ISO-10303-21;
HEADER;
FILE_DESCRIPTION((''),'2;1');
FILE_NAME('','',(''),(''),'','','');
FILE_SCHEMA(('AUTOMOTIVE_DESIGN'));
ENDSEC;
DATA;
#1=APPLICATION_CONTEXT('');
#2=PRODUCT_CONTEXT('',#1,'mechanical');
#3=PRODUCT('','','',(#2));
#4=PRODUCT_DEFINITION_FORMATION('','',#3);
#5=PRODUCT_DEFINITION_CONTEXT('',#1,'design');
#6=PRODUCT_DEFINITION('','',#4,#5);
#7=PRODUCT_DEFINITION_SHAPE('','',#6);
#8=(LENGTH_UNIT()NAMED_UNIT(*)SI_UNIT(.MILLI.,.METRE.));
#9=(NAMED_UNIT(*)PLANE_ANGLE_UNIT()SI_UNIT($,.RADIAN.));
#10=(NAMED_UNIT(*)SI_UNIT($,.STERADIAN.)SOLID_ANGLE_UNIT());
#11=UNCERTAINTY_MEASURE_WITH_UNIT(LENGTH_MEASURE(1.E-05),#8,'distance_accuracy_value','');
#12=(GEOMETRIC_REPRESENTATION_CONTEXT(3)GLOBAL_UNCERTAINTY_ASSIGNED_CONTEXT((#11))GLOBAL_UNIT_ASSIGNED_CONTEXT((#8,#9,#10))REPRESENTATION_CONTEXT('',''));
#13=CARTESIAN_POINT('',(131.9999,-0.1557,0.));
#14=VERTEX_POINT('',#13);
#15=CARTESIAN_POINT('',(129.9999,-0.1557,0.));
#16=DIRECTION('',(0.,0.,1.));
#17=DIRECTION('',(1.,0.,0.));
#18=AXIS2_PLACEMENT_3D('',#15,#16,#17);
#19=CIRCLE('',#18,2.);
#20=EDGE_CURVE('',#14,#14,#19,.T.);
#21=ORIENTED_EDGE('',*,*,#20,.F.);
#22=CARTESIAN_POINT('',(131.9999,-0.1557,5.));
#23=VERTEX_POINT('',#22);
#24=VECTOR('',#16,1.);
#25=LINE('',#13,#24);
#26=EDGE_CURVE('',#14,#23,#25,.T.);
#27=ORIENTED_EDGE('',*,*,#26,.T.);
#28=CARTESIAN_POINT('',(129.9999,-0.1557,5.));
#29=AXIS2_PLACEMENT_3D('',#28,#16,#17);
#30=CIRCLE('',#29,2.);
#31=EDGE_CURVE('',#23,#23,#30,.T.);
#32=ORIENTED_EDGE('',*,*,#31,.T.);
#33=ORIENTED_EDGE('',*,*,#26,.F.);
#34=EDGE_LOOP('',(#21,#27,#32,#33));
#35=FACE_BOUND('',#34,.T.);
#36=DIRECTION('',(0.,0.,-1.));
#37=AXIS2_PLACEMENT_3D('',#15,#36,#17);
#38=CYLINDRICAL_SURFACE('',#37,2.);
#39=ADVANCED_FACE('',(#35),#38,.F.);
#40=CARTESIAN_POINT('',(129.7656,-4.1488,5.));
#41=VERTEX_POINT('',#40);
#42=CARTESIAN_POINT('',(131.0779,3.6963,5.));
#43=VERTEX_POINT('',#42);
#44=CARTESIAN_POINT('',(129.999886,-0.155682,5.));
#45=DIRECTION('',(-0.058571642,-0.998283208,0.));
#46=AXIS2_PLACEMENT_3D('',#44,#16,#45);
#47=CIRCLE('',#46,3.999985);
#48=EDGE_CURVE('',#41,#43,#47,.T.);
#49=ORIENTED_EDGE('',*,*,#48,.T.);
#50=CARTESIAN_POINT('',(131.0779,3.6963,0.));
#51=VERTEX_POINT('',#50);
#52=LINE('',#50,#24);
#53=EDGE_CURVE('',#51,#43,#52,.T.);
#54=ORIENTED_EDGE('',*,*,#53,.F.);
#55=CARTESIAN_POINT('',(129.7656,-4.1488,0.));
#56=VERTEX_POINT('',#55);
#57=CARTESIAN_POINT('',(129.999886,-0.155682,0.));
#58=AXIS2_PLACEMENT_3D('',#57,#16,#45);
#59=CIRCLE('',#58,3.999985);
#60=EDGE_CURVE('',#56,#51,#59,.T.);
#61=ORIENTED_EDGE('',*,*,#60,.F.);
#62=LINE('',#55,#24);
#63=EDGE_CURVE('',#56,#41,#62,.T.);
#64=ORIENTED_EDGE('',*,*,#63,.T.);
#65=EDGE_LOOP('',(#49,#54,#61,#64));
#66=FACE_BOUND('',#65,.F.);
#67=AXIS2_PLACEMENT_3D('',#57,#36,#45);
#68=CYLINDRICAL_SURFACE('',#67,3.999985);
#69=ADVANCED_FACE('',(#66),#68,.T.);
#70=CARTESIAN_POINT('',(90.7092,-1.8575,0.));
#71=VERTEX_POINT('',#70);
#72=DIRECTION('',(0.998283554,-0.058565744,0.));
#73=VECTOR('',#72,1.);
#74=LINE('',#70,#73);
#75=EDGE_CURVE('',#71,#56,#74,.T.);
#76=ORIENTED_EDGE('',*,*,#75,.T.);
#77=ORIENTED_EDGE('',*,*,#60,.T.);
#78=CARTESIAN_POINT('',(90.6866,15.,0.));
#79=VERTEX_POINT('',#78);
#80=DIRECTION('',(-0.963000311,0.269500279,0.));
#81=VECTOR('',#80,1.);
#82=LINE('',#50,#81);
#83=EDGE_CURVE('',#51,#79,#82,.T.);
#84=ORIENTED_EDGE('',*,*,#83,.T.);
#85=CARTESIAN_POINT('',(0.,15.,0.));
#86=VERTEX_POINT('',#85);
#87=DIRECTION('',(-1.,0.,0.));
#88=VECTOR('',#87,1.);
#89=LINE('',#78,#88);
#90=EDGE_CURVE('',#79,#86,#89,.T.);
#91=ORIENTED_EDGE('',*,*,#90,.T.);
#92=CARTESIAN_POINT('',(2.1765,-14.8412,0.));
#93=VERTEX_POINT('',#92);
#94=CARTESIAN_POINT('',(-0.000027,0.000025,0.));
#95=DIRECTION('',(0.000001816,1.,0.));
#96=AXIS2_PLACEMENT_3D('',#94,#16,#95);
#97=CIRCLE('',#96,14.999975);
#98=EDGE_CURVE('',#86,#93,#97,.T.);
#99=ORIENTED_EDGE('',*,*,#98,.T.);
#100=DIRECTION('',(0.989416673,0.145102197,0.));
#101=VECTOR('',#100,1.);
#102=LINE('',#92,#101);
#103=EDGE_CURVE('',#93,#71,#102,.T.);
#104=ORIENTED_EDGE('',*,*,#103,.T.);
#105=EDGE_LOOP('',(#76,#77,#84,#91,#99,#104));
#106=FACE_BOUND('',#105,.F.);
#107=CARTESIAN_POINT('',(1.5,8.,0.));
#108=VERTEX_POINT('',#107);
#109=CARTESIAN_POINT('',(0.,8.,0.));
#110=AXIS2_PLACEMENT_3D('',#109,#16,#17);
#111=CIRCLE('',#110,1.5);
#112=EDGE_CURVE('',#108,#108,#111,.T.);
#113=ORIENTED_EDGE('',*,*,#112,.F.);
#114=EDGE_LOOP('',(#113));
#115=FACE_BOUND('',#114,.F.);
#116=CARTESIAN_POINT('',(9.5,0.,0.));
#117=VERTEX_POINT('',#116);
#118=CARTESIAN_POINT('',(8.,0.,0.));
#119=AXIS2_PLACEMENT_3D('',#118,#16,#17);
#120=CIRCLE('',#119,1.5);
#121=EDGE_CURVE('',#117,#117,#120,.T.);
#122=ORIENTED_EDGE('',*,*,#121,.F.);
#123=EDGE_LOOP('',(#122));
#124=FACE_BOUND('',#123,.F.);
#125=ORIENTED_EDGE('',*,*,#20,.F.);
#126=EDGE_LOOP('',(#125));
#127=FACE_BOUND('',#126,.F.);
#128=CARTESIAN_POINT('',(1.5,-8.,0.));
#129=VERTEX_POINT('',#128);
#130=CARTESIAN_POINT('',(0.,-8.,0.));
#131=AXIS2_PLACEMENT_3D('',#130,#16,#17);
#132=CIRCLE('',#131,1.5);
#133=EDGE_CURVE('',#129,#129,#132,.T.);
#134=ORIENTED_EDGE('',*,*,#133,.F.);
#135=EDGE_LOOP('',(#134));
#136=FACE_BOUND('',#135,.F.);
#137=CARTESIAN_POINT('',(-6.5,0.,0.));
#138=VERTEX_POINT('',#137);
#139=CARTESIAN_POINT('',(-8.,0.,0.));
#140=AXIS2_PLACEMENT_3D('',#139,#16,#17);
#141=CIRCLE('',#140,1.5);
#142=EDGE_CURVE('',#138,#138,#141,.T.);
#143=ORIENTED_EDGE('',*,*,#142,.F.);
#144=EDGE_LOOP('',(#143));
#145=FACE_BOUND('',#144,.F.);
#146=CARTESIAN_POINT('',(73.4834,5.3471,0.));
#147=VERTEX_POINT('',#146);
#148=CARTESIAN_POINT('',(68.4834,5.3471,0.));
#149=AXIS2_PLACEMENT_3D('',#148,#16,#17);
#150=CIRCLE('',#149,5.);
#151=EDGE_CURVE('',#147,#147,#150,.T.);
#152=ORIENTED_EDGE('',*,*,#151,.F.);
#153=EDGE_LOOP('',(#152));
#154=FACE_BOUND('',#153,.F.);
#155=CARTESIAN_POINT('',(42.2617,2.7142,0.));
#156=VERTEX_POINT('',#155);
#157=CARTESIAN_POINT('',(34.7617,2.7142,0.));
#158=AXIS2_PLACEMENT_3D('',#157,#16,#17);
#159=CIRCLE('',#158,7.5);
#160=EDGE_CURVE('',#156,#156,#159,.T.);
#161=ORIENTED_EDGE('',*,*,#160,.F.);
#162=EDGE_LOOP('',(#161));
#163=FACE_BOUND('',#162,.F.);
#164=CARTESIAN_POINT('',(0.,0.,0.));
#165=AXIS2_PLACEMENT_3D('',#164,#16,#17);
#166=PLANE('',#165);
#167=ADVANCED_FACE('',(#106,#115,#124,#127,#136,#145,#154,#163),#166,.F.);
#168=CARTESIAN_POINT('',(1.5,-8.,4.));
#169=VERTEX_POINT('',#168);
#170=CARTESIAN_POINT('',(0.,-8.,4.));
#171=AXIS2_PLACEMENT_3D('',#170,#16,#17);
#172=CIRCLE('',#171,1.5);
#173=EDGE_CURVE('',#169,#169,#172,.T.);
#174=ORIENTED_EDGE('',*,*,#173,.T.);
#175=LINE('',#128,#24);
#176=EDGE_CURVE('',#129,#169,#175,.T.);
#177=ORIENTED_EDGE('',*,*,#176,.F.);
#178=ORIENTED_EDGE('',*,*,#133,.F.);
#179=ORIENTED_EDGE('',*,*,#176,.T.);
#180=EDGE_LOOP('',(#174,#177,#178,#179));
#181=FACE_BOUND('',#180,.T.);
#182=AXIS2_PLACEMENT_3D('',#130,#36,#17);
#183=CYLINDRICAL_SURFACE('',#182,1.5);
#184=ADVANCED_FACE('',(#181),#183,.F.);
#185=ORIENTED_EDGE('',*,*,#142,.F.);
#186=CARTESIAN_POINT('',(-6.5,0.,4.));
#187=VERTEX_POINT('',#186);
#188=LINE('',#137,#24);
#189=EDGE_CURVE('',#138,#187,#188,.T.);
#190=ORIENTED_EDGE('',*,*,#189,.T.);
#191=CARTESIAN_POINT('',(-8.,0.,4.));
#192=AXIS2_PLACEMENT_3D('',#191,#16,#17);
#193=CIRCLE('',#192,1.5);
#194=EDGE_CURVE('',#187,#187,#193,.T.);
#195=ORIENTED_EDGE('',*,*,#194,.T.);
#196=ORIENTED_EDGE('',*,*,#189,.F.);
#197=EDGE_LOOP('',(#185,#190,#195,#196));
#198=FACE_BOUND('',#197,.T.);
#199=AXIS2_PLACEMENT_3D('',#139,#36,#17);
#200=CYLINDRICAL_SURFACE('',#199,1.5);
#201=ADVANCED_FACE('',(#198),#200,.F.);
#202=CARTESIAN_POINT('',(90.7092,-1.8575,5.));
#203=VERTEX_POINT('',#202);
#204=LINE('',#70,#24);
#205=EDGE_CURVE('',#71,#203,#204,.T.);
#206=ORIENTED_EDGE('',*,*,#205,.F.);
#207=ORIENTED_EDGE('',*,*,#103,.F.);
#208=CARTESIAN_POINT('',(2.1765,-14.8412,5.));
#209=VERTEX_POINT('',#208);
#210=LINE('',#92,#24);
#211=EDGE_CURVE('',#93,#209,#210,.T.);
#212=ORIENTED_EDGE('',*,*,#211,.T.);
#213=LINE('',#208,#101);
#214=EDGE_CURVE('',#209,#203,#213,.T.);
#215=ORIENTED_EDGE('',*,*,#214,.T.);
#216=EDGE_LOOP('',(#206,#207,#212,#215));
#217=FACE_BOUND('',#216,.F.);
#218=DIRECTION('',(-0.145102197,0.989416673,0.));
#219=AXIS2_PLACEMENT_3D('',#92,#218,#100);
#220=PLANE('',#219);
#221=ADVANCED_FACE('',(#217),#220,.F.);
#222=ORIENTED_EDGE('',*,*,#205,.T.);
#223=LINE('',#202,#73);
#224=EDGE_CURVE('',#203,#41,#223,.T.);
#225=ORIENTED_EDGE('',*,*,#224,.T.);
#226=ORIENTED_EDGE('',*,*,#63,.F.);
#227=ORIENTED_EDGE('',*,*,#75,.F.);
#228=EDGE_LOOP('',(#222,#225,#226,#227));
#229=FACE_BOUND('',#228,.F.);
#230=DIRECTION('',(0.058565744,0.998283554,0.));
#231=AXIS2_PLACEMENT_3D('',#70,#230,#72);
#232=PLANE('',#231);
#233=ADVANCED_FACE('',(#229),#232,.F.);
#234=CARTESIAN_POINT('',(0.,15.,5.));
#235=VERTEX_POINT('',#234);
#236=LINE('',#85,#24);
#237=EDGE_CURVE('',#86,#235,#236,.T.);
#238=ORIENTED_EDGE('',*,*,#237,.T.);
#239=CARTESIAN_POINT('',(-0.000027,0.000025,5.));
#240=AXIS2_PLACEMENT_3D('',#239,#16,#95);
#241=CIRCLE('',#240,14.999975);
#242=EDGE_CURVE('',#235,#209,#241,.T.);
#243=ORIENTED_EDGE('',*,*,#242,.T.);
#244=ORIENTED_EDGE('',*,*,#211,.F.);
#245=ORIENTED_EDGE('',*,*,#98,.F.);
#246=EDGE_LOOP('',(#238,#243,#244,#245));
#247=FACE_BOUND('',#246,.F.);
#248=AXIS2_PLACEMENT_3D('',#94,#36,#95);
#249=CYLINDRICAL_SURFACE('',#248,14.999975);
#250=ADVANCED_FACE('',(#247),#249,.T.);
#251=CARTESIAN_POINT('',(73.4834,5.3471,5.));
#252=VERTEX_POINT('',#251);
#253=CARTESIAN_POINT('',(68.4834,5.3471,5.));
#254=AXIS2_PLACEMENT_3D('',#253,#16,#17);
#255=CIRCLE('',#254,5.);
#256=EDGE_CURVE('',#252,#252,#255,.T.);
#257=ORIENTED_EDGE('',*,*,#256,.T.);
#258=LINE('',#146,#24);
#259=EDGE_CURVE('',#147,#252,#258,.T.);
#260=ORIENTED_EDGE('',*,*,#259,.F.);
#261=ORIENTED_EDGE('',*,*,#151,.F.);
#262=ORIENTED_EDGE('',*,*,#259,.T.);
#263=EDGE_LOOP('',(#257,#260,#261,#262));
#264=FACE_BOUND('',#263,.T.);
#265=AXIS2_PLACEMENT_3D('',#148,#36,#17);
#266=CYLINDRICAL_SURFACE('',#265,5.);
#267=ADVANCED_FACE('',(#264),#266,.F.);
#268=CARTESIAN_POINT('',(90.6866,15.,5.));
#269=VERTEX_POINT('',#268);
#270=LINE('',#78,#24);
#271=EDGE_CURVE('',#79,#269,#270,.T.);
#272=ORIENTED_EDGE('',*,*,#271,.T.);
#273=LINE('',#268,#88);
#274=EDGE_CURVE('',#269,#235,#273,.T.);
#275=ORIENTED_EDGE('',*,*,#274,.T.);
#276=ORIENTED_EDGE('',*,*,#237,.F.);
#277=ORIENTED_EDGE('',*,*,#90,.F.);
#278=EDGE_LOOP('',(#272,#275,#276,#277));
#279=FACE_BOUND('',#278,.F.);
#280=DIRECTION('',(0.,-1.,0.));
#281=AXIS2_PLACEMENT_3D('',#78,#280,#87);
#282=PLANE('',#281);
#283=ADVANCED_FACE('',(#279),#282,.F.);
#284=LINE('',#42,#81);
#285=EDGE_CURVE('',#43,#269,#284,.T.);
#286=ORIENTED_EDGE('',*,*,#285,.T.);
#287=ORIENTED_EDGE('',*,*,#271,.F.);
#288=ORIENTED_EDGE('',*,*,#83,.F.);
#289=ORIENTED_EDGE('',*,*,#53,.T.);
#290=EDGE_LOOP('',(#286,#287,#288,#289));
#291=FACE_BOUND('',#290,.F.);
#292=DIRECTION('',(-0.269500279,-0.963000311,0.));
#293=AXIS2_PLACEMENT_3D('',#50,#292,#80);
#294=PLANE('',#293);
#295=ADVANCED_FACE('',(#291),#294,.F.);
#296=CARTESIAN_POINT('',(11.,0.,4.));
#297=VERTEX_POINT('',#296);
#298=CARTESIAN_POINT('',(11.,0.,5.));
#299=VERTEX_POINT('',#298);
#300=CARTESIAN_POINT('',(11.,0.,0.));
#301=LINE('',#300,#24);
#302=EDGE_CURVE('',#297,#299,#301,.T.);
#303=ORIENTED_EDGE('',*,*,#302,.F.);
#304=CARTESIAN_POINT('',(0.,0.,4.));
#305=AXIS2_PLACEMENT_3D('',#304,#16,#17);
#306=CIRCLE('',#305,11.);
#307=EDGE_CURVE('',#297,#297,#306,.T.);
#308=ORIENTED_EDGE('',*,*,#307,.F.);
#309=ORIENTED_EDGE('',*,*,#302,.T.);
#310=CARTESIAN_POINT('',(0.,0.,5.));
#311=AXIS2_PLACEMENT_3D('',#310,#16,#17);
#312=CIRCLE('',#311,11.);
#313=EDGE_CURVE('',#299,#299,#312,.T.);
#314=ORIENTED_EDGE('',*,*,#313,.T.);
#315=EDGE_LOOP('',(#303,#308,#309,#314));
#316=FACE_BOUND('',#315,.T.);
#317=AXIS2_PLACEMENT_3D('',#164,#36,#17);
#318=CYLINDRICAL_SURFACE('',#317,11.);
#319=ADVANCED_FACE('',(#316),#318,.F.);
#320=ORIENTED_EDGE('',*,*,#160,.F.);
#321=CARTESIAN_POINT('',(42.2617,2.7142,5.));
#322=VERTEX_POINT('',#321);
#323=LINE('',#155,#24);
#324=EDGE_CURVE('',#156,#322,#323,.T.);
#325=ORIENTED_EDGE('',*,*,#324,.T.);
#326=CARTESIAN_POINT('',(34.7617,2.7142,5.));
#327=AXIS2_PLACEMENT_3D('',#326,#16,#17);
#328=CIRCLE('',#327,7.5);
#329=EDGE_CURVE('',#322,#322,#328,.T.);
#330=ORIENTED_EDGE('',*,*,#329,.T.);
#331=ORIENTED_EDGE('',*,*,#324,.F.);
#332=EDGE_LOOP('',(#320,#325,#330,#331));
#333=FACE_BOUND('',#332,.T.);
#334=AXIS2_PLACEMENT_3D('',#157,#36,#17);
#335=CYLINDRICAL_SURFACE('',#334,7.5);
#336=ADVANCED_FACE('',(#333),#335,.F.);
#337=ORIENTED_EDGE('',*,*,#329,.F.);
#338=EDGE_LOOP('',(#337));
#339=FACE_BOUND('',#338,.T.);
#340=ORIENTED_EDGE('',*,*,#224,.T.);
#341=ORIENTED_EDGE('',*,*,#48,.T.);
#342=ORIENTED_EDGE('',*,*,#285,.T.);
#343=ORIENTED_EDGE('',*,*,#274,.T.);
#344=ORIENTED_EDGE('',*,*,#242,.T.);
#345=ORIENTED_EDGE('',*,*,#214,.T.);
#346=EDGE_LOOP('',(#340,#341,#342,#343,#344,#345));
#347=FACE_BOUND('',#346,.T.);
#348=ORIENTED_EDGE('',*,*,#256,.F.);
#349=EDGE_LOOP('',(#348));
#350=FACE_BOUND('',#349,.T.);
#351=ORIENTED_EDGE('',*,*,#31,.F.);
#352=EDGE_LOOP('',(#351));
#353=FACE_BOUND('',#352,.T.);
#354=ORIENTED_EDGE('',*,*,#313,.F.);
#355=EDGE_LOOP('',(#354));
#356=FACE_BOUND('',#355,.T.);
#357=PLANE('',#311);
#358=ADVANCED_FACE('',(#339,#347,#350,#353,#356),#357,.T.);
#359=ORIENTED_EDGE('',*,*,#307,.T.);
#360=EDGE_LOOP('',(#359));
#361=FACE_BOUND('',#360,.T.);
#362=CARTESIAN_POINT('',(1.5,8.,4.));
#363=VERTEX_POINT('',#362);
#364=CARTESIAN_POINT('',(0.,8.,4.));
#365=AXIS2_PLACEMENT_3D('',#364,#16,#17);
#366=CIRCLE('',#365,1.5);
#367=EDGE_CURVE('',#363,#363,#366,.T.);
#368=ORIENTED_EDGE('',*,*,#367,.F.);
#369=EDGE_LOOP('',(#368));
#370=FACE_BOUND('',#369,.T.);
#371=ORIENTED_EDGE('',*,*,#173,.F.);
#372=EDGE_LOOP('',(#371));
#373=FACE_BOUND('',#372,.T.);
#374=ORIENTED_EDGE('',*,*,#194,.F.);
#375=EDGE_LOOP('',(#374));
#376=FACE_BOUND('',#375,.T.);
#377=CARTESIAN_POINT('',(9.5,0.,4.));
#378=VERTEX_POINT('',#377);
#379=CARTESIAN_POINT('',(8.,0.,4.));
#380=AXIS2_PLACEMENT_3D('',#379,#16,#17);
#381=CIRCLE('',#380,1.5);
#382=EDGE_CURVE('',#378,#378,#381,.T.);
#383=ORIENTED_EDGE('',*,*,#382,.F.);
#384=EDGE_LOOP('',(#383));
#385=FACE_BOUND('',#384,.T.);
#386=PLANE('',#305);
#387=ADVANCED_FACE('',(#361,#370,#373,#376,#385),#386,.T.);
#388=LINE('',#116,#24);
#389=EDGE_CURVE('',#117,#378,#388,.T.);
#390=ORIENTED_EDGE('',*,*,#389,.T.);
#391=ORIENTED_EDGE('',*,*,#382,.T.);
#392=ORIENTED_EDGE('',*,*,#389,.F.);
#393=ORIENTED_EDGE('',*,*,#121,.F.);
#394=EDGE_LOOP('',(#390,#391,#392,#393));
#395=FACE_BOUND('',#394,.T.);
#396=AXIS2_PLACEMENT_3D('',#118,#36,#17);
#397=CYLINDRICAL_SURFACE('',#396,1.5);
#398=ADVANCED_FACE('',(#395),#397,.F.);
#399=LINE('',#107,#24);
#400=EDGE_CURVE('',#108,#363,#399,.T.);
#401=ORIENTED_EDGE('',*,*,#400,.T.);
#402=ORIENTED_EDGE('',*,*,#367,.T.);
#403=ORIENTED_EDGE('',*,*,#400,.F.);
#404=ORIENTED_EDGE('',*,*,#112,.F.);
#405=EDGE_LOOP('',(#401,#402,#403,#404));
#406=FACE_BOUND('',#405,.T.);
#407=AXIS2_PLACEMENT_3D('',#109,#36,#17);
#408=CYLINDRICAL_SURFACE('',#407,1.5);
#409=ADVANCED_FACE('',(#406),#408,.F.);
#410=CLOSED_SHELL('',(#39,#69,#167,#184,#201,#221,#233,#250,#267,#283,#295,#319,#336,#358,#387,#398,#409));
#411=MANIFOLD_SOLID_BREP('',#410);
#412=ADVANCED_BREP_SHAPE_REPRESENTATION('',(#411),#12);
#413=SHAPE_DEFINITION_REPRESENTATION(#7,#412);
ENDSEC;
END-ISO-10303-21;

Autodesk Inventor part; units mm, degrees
ref_plane "YZ Plane" through (0, 0, 0) normal (1, 0, 0) x (0, 1, 0)
ref_plane "XZ Plane" through (0, 0, 0) normal (0, 1, 0) x (-1, 0, 0)
ref_plane "XY Plane" through (0, 0, 0) normal (0, 0, 1) x (1, 0, 0)
sketch "Sketch1" plane through (0, 0, 0) normal (0, 0, 1) x (1, 0, 0)
  circle A0 centre (0, 0) radius 11
  arc A1 (0, 15) -> (2.1765, -14.8412) centre (0, 0) ccw
  arc A2 (129.7656, -4.1488) -> (131.0779, 3.6963) centre (129.9999, -0.1557) ccw
  line L0 (131.0779, 3.6963) -> (90.6866, 15)
  line L1 (90.6866, 15) -> (0, 15)
  line L2 (2.1765, -14.8412) -> (90.7092, -1.8575)
  line L3 (90.7092, -1.8575) -> (129.7656, -4.1488)
  circle A3 centre (68.4834, 5.3471) radius 5
  circle A4 centre (34.7617, 2.7142) radius 7.5
  circle A5 centre (129.9999, -0.1557) radius 2
  circle A6 centre (0, 8) radius 1.5
  circle A7 centre (-8, 0) radius 1.5
  circle A8 centre (0, -8) radius 1.5
  circle A9 centre (8, 0) radius 1.5
  dimension "d0" = 22
  dimension "d1" = 30
  dimension "d2" = 8
  dimension "d3" = 130
  dimension "d4" = 15
  dimension "d5" = 10
  dimension "d6" = 4
  dimension "d7" = 3
  dimension "d8" = 8
  dimension "d11" = 360
extrude "Extrusion1" add sketch "Sketch1" along normal blind 5 contours L1 L0 A2 L3 L2 A1
extrude "Extrusion2" add sketch "Sketch1" along normal blind 4 contours A0
equation "\"BendRadius\" = Thickness"
equation "\"BendReliefWidth\" = Thickness"
equation "\"BendReliefDepth\" = 0.5 * Thickness"
equation "\"CornerReliefSize\" = 4 * Thickness"
equation "\"MinimumRemnant\" = 2 * Thickness"
equation "\"TransitionRadius\" = BendRadius"
equation "\"JacobiRadiusSize\" = BendRadius"
equation "\"GapSize\" = Thickness"
equation "\"Thickness\" = 0.5"
properties part number "Link1"
